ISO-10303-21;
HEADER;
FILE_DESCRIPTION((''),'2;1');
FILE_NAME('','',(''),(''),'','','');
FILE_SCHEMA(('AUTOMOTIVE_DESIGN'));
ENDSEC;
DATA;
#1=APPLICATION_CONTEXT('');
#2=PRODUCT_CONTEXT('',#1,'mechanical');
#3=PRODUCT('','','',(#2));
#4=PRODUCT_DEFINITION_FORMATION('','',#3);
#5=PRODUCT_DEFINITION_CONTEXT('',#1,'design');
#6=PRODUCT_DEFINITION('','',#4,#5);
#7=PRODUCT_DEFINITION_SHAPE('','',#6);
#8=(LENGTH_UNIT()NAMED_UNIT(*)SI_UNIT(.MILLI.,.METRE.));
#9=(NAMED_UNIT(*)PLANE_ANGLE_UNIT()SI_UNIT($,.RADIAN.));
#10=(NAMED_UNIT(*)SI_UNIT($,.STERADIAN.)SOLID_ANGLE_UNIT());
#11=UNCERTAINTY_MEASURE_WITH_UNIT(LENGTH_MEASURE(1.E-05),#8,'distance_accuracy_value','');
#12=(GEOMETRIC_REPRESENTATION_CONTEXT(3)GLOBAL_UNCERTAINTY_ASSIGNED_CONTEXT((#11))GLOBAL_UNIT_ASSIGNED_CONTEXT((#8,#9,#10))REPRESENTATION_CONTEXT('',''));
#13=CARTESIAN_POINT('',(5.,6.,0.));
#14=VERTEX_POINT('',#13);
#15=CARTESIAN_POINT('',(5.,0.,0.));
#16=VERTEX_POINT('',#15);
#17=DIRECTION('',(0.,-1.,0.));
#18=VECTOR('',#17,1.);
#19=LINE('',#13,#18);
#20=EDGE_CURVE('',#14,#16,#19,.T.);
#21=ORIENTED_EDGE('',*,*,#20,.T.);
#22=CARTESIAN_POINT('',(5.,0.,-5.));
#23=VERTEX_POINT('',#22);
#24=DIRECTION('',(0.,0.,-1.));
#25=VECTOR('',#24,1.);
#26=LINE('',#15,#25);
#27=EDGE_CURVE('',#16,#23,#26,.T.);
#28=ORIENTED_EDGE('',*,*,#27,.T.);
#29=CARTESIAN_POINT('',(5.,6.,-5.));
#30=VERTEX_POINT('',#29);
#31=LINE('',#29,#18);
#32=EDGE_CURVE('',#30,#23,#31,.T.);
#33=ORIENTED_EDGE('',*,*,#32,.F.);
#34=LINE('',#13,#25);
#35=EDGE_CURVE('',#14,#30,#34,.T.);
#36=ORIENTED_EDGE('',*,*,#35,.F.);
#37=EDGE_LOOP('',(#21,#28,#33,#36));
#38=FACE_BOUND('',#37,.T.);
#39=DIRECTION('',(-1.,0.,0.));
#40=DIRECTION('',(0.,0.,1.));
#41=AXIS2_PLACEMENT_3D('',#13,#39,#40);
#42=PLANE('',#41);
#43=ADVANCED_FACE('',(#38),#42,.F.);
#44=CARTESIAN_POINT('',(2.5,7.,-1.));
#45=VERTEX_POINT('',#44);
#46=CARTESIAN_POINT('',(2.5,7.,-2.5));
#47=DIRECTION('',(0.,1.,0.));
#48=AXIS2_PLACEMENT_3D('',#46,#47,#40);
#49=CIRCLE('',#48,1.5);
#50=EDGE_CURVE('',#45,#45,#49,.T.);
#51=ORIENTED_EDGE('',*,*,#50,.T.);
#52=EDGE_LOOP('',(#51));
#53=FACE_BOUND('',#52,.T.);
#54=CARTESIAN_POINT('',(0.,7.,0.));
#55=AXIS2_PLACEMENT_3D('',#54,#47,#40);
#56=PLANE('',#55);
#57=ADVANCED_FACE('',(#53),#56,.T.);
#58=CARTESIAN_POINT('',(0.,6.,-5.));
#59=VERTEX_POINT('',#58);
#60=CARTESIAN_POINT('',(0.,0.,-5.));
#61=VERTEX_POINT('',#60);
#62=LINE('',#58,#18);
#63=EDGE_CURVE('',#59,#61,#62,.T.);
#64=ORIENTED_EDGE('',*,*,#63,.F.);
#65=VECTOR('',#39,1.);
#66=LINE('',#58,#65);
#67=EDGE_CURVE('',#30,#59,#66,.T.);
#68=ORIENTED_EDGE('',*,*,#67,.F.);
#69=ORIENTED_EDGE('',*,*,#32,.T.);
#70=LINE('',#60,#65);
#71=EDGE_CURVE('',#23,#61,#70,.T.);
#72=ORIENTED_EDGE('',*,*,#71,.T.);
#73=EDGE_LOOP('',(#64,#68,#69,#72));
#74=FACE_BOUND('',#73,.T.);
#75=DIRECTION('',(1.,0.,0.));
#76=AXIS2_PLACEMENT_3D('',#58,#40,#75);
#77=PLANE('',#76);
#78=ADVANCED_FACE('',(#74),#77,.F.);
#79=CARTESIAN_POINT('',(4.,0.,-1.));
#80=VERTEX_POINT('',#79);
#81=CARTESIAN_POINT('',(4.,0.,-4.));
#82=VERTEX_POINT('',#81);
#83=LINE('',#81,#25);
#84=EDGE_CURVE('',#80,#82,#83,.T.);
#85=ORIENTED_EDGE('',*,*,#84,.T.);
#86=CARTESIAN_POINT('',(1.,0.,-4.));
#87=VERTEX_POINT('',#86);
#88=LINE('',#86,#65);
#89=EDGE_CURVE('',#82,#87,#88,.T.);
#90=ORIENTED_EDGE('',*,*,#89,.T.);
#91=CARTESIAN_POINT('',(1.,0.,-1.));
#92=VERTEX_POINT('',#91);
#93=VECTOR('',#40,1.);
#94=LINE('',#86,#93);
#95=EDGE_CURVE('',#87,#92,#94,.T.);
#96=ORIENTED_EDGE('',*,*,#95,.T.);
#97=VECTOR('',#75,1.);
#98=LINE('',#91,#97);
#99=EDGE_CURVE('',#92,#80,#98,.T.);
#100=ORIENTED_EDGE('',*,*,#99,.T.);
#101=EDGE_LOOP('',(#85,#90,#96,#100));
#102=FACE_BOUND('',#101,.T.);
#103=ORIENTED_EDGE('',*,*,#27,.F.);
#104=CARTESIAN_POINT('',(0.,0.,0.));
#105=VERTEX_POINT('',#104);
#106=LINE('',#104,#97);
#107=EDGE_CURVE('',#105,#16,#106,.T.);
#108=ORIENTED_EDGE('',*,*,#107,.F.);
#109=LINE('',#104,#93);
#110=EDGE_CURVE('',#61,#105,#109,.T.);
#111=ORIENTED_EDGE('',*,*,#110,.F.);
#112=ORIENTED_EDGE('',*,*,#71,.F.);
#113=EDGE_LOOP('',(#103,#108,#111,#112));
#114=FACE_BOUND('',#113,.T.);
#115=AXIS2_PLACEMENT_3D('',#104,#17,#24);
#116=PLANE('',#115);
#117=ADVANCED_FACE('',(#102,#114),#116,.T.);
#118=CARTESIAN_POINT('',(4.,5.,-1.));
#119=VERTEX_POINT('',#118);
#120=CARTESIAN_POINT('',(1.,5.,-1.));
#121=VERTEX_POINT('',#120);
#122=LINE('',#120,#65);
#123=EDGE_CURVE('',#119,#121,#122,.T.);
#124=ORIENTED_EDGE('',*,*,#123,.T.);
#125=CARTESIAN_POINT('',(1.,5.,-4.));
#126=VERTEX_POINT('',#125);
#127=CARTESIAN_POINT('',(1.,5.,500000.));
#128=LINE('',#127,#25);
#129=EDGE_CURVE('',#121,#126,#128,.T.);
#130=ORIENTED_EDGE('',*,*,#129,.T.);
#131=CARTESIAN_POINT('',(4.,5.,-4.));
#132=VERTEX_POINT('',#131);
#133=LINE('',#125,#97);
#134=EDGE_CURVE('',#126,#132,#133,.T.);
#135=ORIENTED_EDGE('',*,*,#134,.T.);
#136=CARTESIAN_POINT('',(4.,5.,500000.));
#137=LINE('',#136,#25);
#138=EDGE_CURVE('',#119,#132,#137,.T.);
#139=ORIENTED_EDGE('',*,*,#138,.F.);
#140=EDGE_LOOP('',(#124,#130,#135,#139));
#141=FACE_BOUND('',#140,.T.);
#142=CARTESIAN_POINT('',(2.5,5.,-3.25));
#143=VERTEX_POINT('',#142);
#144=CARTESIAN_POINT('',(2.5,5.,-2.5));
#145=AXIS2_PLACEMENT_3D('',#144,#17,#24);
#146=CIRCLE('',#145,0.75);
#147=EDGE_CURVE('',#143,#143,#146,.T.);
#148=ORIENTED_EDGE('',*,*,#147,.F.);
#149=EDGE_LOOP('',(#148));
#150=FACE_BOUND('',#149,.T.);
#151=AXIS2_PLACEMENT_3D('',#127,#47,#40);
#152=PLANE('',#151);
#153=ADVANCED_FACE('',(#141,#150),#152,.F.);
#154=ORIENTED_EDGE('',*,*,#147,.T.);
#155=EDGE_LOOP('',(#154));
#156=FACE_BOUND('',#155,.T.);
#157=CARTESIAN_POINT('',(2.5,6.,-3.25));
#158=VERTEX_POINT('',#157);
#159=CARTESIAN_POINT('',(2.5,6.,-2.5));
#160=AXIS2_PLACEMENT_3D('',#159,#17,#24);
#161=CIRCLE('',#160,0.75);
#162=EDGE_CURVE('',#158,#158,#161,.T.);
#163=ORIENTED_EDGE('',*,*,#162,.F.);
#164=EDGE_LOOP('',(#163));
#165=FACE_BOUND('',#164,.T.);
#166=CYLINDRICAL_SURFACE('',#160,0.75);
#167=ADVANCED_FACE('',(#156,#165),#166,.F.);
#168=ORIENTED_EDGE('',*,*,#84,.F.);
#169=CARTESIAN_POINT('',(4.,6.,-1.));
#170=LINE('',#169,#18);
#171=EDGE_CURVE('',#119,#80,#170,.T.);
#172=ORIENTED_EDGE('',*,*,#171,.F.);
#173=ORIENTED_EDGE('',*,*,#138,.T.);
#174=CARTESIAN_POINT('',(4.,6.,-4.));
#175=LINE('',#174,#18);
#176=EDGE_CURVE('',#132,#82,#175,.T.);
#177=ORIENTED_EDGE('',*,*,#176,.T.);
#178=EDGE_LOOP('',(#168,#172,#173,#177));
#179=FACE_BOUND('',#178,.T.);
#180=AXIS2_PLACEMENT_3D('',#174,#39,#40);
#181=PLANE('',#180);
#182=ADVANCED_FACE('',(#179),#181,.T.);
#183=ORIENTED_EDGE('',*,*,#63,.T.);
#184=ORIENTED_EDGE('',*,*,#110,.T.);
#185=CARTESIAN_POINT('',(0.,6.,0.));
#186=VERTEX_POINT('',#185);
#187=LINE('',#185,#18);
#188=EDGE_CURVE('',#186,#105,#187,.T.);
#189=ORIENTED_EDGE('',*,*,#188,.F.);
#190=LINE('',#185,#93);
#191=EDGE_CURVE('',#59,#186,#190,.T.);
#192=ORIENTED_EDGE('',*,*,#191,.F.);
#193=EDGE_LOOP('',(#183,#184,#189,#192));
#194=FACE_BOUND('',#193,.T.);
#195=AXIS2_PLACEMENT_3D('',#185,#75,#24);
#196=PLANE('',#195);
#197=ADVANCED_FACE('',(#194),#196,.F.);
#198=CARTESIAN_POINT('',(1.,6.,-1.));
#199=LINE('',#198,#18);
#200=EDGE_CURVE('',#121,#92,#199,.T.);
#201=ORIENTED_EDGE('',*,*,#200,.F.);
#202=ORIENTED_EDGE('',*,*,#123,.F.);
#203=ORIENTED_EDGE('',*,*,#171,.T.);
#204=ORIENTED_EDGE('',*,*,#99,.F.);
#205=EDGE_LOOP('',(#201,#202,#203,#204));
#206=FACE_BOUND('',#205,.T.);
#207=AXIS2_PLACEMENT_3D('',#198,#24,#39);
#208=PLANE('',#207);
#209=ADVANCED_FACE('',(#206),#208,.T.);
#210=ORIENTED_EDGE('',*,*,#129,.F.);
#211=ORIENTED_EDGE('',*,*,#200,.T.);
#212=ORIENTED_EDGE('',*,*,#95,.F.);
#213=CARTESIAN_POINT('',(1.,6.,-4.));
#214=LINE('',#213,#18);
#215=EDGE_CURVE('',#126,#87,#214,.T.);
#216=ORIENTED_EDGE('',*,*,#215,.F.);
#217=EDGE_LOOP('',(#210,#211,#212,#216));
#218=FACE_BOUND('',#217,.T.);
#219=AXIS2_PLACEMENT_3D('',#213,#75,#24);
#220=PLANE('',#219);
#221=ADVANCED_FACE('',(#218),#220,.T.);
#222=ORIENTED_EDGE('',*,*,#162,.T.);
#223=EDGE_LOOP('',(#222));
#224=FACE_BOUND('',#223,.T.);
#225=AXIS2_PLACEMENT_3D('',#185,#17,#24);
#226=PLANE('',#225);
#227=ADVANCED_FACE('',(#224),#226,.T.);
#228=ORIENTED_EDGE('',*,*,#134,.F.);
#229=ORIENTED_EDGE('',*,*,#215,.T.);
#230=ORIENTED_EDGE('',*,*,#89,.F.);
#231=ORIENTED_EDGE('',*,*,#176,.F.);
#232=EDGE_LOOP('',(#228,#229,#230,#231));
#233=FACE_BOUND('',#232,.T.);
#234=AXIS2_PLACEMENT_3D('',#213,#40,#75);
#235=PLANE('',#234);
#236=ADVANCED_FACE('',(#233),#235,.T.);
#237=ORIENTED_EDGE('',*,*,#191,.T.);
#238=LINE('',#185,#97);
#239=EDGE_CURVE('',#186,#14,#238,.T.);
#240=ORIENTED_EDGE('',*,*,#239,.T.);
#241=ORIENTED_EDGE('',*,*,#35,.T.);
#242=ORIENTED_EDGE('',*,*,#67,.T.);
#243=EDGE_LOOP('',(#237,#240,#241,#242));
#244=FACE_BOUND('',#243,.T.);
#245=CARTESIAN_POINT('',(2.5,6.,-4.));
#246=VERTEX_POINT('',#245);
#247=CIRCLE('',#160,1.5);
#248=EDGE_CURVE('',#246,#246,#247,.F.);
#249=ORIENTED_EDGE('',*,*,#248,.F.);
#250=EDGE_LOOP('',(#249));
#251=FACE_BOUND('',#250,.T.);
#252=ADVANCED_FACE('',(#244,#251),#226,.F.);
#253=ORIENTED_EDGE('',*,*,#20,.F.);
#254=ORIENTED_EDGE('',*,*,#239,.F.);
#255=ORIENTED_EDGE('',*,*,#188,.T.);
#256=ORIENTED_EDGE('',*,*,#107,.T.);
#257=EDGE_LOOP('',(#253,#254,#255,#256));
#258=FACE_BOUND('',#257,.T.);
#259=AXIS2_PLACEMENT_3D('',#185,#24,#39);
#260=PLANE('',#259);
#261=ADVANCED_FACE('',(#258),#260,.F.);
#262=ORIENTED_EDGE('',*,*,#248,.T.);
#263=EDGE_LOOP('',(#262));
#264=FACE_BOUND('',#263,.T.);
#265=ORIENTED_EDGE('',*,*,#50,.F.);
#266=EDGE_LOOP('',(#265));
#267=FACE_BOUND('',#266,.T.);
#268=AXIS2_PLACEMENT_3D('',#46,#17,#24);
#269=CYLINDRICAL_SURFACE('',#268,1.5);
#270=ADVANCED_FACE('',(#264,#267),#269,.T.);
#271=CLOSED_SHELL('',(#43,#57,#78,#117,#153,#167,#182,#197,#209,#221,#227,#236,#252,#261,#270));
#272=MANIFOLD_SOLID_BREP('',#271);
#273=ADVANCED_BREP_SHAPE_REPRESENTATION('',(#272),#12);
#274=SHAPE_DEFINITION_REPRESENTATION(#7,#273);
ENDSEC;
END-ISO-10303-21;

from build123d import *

# Parameters (mm, degrees)
SKETCH1_W           = 5
SKETCH1_H           = 5
SKETCH1_W_2         = 3
SKETCH1_H_2         = 3
BOSS_EXTRUDE1_DEPTH = 6
BOSS_EXTRUDE2_REACH = 6
SKETCH2_W           = 3
SKETCH2_H           = 1
BOSS_EXTRUDE3_DEPTH = 1
SKETCH4_R           = 0.75
CUT_EXTRUDE2_DEPTH  = 1


with BuildPart() as part:
    # Sketch1 → Boss-Extrude1 (new body)
    with BuildSketch(Plane(origin=(0, 0, 0), x_dir=(1, 0, 0), z_dir=(0, 1, 0))):
        with Locations((2.5, 2.5)):
            Rectangle(SKETCH1_W, SKETCH1_H)
        with Locations((2.5, 2.5)):
            Rectangle(SKETCH1_W_2, SKETCH1_H_2, mode=Mode.SUBTRACT)
    extrude(amount=BOSS_EXTRUDE1_DEPTH)

    # Sketch2 → Boss-Extrude2 (add, up to next)
    with BuildSketch(Plane.XY.offset(-4), mode=Mode.PRIVATE) as boss_extrude2_sk1:
        with Locations((2.5, 5.5)):
            Rectangle(SKETCH2_W, SKETCH2_H)
    boss_extrude2_tool1 = extrude(boss_extrude2_sk1.sketch, amount=BOSS_EXTRUDE2_REACH, mode=Mode.PRIVATE) - part.part
    add(boss_extrude2_tool1.solids().sort_by_distance((2.5, 5.5, -4))[0])

    # Sketch3 → Boss-Extrude3 (add)
    with BuildSketch(Plane(origin=(0, 6, 0), x_dir=(1, 0, 0), z_dir=(0, 1, 0))):
        with BuildLine():
            ThreePointArc((3.560660172, 3.560660172), (2.5, 4), (1.439339828, 3.560660172))
            Line((1.439339828, 3.560660172), (2.5, 2.5))
            Line((2.5, 2.5), (3.560660172, 3.560660172))
        make_face()
        with BuildLine():
            Line((2.5, 2.5), (1.439339828, 3.560660172))
            ThreePointArc((1.439339828, 3.560660172), (1, 2.5), (1.439339828, 1.439339828))
            Line((1.439339828, 1.439339828), (2.5, 2.5))
        make_face()
        with BuildLine():
            Line((3.560660172, 3.560660172), (2.5, 2.5))
            Line((2.5, 2.5), (3.560660172, 1.439339828))
            ThreePointArc((3.560660172, 1.439339828), (3.885819299, 1.925974851), (4, 2.5))
            ThreePointArc((4, 2.5), (3.885819299, 3.074025149), (3.560660172, 3.560660172))
        make_face()
        with BuildLine():
            Line((3.560660172, 1.439339828), (2.5, 2.5))
            Line((2.5, 2.5), (1.439339828, 1.439339828))
            ThreePointArc((1.439339828, 1.439339828), (2.5, 1), (3.560660172, 1.439339828))
        make_face()
    extrude(amount=BOSS_EXTRUDE3_DEPTH)

    # Sketch4 → Cut-Extrude2 (cut)
    with BuildSketch(Plane.XZ.offset(-5)):
        with Locations((2.5, -2.5)):
            Circle(SKETCH4_R)
    extrude(amount=-CUT_EXTRUDE2_DEPTH, mode=Mode.SUBTRACT)


solid = part.part
